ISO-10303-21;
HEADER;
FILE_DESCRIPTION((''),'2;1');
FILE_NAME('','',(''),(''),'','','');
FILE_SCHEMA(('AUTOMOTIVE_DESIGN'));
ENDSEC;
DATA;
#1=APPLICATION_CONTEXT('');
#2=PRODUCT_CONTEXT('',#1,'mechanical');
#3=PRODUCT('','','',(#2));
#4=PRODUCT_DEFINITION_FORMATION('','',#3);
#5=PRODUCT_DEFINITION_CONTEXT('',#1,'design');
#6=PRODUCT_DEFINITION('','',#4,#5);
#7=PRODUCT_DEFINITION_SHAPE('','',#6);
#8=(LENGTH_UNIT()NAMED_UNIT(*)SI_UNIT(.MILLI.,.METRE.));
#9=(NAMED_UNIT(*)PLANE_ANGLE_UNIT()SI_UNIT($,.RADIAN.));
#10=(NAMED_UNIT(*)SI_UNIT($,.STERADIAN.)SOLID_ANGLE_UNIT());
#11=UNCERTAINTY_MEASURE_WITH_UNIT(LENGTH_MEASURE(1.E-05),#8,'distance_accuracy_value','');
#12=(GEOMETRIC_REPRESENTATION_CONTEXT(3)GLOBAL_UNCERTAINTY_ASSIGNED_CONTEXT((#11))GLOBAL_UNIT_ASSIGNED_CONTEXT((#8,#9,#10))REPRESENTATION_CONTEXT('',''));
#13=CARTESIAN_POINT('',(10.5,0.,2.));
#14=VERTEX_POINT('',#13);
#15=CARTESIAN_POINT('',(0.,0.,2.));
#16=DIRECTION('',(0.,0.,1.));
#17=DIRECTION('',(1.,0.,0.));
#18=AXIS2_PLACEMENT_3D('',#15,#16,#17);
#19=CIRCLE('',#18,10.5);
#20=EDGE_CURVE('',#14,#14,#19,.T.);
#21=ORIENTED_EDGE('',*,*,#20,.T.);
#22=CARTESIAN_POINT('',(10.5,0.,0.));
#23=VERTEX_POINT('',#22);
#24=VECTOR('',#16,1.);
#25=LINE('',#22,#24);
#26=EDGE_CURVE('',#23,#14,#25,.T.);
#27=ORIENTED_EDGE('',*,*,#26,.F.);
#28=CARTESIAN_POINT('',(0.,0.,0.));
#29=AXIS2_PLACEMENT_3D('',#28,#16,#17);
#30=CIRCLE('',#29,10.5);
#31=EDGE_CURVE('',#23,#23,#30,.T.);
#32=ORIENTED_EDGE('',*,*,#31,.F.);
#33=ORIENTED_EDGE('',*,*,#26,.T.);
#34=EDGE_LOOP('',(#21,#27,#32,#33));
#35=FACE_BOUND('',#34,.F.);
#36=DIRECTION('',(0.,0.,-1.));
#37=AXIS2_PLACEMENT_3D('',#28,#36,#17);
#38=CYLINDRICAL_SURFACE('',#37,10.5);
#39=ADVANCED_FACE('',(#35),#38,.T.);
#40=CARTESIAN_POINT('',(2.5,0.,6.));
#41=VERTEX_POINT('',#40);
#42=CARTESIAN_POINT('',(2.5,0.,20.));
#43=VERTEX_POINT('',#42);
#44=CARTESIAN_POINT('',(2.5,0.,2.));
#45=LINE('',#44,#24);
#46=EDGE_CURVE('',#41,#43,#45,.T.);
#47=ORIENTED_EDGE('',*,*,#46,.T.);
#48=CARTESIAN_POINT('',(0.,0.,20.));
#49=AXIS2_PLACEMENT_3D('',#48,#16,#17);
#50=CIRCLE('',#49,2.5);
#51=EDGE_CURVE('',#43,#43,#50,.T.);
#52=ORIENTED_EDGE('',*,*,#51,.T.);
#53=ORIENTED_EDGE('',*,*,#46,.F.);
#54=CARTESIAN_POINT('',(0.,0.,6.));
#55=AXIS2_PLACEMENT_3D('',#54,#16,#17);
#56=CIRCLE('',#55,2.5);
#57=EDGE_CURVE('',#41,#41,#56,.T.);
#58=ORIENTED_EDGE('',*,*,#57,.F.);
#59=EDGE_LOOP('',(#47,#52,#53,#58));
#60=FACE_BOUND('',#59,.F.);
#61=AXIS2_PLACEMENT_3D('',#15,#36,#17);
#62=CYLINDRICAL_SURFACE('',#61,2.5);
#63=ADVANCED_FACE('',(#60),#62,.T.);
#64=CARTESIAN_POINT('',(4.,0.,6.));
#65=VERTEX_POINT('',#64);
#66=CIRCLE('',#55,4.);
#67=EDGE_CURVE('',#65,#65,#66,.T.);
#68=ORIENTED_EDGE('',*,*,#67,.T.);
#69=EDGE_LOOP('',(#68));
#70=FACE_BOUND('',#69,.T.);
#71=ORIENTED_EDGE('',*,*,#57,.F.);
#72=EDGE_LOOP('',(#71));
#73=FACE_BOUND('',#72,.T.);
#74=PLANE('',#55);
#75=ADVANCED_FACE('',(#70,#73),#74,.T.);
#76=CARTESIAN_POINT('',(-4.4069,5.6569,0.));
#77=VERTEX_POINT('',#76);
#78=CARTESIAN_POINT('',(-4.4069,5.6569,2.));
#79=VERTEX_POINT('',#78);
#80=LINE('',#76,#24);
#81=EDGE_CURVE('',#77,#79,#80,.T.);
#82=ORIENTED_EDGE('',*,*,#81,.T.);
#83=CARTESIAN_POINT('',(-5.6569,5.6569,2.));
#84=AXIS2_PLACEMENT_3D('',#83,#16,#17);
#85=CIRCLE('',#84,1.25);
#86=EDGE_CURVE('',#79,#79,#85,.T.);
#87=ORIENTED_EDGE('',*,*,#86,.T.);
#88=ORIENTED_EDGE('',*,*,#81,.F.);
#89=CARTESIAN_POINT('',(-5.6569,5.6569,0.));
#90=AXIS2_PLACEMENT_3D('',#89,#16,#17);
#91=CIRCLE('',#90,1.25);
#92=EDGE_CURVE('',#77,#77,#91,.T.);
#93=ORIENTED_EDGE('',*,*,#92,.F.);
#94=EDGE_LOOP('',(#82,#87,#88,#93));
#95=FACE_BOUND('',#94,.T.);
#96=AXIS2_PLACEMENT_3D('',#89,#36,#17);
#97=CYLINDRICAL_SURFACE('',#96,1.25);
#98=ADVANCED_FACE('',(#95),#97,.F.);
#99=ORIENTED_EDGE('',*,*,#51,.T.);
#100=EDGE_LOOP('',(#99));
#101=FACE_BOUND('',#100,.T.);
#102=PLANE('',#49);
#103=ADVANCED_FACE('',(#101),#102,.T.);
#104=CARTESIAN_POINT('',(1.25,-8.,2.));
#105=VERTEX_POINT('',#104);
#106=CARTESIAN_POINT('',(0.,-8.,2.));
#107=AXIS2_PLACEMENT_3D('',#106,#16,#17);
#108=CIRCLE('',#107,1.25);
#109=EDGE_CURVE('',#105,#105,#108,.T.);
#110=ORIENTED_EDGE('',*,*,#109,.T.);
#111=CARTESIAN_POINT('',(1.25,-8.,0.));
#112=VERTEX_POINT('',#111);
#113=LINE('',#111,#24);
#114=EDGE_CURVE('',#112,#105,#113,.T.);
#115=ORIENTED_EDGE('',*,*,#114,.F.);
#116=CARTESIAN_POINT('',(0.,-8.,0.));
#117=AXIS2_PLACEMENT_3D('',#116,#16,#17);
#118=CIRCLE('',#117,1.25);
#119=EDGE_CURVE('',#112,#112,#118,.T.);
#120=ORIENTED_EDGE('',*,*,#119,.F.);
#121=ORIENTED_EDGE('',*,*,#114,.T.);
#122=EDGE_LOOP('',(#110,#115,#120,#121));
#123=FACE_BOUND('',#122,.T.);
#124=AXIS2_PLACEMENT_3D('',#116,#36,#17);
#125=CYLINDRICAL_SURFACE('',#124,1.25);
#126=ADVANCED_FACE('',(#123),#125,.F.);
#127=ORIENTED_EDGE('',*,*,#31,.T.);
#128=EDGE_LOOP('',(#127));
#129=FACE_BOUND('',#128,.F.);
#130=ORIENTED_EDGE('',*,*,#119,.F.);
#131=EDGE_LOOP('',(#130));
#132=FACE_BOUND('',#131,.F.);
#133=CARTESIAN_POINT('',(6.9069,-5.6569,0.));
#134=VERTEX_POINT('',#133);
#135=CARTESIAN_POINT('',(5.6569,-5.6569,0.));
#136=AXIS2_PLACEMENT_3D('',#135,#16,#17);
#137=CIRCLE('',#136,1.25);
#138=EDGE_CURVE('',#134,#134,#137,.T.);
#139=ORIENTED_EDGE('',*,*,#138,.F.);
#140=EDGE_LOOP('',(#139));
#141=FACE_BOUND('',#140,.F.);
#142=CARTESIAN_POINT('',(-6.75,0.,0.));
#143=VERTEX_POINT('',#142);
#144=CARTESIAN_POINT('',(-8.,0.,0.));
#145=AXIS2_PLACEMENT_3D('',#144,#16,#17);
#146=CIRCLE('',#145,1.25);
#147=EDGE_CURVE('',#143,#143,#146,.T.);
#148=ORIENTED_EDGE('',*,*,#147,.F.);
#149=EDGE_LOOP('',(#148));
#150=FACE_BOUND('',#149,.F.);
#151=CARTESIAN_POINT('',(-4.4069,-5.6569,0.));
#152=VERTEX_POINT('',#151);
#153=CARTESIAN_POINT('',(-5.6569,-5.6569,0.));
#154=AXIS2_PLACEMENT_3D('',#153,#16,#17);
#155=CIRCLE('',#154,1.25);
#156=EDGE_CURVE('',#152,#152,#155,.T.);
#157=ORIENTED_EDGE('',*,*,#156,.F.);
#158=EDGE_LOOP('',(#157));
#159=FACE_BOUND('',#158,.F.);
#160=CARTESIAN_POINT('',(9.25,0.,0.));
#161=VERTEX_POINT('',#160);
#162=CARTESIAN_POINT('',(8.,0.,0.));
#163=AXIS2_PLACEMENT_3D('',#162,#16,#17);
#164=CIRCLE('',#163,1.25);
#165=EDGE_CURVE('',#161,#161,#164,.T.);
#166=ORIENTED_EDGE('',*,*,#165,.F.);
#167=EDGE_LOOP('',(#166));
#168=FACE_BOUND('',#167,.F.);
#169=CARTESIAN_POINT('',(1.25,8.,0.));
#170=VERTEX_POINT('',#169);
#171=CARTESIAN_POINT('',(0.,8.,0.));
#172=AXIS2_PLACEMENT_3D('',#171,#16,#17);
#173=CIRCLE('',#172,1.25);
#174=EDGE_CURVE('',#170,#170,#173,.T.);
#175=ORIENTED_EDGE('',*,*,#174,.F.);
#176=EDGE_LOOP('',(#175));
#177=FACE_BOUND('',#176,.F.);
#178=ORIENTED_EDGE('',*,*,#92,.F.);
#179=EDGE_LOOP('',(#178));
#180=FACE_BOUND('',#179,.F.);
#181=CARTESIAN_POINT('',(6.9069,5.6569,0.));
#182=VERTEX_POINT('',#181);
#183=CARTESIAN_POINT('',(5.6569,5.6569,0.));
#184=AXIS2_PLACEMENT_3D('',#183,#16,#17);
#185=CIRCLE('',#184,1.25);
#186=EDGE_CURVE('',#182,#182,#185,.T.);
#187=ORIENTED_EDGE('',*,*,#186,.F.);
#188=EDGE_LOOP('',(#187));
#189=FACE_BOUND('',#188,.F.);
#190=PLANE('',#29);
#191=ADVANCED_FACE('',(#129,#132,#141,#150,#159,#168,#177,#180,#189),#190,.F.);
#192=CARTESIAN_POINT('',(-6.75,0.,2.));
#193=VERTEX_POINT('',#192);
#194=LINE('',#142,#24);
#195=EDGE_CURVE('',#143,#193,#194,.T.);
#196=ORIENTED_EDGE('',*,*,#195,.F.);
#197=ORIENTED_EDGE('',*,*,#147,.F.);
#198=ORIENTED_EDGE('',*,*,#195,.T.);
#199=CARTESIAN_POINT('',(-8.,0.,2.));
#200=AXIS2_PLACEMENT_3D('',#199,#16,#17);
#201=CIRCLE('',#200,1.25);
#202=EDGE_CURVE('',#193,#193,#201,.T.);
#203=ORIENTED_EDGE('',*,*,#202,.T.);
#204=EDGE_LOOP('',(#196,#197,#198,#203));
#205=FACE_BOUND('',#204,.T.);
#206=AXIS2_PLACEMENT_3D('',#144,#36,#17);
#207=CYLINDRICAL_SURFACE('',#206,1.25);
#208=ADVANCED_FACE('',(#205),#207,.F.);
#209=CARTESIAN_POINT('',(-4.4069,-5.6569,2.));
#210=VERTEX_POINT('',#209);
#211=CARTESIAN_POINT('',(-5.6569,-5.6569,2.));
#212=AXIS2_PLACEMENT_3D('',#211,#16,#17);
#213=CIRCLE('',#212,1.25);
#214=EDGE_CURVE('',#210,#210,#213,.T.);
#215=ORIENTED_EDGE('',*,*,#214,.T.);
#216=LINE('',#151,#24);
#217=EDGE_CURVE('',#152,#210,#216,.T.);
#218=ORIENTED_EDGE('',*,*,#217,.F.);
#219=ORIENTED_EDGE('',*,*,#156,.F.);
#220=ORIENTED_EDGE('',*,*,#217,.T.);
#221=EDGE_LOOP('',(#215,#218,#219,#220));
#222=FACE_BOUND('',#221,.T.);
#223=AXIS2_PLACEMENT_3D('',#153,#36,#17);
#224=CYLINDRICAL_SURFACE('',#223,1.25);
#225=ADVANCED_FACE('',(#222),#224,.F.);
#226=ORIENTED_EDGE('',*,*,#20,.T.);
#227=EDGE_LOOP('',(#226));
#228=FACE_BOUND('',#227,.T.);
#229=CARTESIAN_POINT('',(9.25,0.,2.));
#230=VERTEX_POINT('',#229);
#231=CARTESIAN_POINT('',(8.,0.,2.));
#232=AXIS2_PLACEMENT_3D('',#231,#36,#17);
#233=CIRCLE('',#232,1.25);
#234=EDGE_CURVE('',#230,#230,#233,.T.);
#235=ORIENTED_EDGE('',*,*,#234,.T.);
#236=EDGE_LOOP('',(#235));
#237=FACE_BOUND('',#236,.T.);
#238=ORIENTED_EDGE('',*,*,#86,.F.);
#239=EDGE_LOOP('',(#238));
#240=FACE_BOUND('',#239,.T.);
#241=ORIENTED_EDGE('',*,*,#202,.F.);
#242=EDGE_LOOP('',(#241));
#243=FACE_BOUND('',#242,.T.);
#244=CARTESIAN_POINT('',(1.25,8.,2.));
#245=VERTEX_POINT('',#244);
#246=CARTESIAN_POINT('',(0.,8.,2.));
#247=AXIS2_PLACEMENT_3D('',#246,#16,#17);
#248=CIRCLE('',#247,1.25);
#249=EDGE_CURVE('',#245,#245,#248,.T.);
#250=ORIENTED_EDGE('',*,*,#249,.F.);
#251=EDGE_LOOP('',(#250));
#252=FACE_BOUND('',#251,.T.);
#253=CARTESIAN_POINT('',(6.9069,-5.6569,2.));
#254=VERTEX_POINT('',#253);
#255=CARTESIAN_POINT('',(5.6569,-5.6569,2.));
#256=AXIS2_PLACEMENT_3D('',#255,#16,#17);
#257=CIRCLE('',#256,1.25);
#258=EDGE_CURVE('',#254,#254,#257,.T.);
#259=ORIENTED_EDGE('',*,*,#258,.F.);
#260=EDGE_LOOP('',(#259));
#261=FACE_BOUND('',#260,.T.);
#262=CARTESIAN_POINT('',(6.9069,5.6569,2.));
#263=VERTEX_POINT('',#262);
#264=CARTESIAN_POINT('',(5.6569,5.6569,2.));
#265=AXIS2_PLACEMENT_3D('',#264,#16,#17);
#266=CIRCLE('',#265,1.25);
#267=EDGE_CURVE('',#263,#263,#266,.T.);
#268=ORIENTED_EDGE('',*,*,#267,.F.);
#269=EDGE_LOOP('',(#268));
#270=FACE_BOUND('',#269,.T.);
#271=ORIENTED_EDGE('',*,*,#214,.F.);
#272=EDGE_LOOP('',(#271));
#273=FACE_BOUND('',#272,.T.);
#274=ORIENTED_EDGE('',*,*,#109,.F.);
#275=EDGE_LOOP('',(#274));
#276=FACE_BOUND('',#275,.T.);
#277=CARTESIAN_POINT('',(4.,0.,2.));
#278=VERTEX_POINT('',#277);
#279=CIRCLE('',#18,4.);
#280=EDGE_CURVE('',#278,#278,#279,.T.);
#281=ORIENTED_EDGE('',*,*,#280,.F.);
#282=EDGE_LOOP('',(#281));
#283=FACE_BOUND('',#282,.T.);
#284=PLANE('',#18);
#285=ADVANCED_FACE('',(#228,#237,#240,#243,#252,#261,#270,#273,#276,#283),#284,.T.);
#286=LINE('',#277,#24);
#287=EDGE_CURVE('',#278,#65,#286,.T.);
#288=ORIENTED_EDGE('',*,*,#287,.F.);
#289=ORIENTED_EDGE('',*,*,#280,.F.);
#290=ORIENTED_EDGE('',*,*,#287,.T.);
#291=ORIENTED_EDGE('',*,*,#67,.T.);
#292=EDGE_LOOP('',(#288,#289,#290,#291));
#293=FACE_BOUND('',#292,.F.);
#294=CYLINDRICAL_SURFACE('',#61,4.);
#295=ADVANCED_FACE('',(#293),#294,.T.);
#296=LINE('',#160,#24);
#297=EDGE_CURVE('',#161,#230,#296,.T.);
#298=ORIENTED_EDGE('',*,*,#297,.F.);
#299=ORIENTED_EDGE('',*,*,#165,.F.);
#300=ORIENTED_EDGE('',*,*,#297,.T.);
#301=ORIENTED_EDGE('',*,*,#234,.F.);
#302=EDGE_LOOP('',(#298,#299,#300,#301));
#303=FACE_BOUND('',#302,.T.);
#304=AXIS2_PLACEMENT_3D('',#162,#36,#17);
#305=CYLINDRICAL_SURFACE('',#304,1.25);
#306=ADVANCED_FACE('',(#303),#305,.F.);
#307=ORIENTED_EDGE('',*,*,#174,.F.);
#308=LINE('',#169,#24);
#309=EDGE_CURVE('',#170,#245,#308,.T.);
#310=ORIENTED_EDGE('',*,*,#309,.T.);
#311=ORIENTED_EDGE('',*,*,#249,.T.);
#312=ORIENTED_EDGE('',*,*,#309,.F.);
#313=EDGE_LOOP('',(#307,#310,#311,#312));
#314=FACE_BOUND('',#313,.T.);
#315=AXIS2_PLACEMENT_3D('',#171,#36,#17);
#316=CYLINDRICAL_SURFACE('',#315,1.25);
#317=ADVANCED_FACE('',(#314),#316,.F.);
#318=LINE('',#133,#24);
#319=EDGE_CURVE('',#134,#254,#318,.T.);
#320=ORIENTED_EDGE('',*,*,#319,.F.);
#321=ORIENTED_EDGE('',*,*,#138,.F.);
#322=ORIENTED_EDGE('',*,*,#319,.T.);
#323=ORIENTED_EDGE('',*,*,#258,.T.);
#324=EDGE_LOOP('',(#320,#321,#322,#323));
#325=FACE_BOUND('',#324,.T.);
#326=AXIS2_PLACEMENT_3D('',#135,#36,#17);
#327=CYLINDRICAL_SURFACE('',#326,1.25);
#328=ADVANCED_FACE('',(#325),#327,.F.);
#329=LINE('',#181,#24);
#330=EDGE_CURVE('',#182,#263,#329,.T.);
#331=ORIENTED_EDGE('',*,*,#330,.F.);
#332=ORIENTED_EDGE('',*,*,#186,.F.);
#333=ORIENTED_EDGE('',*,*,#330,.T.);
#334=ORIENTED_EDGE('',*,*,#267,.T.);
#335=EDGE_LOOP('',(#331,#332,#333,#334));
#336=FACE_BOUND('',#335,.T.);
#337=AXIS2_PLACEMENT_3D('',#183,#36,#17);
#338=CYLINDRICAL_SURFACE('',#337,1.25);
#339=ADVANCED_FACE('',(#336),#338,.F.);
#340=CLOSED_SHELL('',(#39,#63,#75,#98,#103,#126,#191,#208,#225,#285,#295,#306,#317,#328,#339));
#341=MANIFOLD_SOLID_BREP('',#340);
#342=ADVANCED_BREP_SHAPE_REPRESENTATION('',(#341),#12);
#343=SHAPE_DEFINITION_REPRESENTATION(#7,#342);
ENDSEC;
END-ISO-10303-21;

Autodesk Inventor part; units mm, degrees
ref_plane "YZ Plane" through (0, 0, 0) normal (1, 0, 0) x (0, 1, 0)
ref_plane "XZ Plane" through (0, 0, 0) normal (0, 1, 0) x (-1, 0, 0)
ref_plane "XY Plane" through (0, 0, 0) normal (0, 0, 1) x (1, 0, 0)
sketch "Sketch1" plane through (0, 0, 0) normal (0, 0, 1) x (1, 0, 0)
  circle A0 centre (0, 0) radius 10.5
  line L0 (0, 0) -> (8, 0)
  circle A1 centre (8, 0) radius 1.25
  circle A2 centre (5.6569, 5.6569) radius 1.25
  circle A3 centre (0, 8) radius 1.25
  circle A4 centre (-5.6569, 5.6569) radius 1.25
  circle A5 centre (-8, 0) radius 1.25
  circle A6 centre (-5.6569, -5.6569) radius 1.25
  circle A7 centre (0, -8) radius 1.25
  circle A8 centre (5.6569, -5.6569) radius 1.25
  dimension "d0" = 21
  dimension "d1" = 8
  dimension "d2" = 2.5
  dimension "d5" = 360
extrude "Extrusion1" add sketch "Sketch1" along normal blind 2
sketch "Sketch2" plane through (0, 0, 2) normal (0, 0, 1) x (1, 0, 0)
  circle A0 centre (0, 0) radius 2.5
  dimension "d9" = 5
extrude "Extrusion3" add sketch "Sketch2" along normal blind 18
sketch "Sketch3" plane through (0, 0, 2) normal (0, 0, 1) x (1, 0, 0)
  circle A0 centre (0, 0) radius 2.5 projected
  circle A1 centre (0, 0) radius 4
  dimension "d14" = 8
extrude "Extrusion4" add sketch "Sketch3" along normal blind 4
properties part number "Drive_shaft2"
